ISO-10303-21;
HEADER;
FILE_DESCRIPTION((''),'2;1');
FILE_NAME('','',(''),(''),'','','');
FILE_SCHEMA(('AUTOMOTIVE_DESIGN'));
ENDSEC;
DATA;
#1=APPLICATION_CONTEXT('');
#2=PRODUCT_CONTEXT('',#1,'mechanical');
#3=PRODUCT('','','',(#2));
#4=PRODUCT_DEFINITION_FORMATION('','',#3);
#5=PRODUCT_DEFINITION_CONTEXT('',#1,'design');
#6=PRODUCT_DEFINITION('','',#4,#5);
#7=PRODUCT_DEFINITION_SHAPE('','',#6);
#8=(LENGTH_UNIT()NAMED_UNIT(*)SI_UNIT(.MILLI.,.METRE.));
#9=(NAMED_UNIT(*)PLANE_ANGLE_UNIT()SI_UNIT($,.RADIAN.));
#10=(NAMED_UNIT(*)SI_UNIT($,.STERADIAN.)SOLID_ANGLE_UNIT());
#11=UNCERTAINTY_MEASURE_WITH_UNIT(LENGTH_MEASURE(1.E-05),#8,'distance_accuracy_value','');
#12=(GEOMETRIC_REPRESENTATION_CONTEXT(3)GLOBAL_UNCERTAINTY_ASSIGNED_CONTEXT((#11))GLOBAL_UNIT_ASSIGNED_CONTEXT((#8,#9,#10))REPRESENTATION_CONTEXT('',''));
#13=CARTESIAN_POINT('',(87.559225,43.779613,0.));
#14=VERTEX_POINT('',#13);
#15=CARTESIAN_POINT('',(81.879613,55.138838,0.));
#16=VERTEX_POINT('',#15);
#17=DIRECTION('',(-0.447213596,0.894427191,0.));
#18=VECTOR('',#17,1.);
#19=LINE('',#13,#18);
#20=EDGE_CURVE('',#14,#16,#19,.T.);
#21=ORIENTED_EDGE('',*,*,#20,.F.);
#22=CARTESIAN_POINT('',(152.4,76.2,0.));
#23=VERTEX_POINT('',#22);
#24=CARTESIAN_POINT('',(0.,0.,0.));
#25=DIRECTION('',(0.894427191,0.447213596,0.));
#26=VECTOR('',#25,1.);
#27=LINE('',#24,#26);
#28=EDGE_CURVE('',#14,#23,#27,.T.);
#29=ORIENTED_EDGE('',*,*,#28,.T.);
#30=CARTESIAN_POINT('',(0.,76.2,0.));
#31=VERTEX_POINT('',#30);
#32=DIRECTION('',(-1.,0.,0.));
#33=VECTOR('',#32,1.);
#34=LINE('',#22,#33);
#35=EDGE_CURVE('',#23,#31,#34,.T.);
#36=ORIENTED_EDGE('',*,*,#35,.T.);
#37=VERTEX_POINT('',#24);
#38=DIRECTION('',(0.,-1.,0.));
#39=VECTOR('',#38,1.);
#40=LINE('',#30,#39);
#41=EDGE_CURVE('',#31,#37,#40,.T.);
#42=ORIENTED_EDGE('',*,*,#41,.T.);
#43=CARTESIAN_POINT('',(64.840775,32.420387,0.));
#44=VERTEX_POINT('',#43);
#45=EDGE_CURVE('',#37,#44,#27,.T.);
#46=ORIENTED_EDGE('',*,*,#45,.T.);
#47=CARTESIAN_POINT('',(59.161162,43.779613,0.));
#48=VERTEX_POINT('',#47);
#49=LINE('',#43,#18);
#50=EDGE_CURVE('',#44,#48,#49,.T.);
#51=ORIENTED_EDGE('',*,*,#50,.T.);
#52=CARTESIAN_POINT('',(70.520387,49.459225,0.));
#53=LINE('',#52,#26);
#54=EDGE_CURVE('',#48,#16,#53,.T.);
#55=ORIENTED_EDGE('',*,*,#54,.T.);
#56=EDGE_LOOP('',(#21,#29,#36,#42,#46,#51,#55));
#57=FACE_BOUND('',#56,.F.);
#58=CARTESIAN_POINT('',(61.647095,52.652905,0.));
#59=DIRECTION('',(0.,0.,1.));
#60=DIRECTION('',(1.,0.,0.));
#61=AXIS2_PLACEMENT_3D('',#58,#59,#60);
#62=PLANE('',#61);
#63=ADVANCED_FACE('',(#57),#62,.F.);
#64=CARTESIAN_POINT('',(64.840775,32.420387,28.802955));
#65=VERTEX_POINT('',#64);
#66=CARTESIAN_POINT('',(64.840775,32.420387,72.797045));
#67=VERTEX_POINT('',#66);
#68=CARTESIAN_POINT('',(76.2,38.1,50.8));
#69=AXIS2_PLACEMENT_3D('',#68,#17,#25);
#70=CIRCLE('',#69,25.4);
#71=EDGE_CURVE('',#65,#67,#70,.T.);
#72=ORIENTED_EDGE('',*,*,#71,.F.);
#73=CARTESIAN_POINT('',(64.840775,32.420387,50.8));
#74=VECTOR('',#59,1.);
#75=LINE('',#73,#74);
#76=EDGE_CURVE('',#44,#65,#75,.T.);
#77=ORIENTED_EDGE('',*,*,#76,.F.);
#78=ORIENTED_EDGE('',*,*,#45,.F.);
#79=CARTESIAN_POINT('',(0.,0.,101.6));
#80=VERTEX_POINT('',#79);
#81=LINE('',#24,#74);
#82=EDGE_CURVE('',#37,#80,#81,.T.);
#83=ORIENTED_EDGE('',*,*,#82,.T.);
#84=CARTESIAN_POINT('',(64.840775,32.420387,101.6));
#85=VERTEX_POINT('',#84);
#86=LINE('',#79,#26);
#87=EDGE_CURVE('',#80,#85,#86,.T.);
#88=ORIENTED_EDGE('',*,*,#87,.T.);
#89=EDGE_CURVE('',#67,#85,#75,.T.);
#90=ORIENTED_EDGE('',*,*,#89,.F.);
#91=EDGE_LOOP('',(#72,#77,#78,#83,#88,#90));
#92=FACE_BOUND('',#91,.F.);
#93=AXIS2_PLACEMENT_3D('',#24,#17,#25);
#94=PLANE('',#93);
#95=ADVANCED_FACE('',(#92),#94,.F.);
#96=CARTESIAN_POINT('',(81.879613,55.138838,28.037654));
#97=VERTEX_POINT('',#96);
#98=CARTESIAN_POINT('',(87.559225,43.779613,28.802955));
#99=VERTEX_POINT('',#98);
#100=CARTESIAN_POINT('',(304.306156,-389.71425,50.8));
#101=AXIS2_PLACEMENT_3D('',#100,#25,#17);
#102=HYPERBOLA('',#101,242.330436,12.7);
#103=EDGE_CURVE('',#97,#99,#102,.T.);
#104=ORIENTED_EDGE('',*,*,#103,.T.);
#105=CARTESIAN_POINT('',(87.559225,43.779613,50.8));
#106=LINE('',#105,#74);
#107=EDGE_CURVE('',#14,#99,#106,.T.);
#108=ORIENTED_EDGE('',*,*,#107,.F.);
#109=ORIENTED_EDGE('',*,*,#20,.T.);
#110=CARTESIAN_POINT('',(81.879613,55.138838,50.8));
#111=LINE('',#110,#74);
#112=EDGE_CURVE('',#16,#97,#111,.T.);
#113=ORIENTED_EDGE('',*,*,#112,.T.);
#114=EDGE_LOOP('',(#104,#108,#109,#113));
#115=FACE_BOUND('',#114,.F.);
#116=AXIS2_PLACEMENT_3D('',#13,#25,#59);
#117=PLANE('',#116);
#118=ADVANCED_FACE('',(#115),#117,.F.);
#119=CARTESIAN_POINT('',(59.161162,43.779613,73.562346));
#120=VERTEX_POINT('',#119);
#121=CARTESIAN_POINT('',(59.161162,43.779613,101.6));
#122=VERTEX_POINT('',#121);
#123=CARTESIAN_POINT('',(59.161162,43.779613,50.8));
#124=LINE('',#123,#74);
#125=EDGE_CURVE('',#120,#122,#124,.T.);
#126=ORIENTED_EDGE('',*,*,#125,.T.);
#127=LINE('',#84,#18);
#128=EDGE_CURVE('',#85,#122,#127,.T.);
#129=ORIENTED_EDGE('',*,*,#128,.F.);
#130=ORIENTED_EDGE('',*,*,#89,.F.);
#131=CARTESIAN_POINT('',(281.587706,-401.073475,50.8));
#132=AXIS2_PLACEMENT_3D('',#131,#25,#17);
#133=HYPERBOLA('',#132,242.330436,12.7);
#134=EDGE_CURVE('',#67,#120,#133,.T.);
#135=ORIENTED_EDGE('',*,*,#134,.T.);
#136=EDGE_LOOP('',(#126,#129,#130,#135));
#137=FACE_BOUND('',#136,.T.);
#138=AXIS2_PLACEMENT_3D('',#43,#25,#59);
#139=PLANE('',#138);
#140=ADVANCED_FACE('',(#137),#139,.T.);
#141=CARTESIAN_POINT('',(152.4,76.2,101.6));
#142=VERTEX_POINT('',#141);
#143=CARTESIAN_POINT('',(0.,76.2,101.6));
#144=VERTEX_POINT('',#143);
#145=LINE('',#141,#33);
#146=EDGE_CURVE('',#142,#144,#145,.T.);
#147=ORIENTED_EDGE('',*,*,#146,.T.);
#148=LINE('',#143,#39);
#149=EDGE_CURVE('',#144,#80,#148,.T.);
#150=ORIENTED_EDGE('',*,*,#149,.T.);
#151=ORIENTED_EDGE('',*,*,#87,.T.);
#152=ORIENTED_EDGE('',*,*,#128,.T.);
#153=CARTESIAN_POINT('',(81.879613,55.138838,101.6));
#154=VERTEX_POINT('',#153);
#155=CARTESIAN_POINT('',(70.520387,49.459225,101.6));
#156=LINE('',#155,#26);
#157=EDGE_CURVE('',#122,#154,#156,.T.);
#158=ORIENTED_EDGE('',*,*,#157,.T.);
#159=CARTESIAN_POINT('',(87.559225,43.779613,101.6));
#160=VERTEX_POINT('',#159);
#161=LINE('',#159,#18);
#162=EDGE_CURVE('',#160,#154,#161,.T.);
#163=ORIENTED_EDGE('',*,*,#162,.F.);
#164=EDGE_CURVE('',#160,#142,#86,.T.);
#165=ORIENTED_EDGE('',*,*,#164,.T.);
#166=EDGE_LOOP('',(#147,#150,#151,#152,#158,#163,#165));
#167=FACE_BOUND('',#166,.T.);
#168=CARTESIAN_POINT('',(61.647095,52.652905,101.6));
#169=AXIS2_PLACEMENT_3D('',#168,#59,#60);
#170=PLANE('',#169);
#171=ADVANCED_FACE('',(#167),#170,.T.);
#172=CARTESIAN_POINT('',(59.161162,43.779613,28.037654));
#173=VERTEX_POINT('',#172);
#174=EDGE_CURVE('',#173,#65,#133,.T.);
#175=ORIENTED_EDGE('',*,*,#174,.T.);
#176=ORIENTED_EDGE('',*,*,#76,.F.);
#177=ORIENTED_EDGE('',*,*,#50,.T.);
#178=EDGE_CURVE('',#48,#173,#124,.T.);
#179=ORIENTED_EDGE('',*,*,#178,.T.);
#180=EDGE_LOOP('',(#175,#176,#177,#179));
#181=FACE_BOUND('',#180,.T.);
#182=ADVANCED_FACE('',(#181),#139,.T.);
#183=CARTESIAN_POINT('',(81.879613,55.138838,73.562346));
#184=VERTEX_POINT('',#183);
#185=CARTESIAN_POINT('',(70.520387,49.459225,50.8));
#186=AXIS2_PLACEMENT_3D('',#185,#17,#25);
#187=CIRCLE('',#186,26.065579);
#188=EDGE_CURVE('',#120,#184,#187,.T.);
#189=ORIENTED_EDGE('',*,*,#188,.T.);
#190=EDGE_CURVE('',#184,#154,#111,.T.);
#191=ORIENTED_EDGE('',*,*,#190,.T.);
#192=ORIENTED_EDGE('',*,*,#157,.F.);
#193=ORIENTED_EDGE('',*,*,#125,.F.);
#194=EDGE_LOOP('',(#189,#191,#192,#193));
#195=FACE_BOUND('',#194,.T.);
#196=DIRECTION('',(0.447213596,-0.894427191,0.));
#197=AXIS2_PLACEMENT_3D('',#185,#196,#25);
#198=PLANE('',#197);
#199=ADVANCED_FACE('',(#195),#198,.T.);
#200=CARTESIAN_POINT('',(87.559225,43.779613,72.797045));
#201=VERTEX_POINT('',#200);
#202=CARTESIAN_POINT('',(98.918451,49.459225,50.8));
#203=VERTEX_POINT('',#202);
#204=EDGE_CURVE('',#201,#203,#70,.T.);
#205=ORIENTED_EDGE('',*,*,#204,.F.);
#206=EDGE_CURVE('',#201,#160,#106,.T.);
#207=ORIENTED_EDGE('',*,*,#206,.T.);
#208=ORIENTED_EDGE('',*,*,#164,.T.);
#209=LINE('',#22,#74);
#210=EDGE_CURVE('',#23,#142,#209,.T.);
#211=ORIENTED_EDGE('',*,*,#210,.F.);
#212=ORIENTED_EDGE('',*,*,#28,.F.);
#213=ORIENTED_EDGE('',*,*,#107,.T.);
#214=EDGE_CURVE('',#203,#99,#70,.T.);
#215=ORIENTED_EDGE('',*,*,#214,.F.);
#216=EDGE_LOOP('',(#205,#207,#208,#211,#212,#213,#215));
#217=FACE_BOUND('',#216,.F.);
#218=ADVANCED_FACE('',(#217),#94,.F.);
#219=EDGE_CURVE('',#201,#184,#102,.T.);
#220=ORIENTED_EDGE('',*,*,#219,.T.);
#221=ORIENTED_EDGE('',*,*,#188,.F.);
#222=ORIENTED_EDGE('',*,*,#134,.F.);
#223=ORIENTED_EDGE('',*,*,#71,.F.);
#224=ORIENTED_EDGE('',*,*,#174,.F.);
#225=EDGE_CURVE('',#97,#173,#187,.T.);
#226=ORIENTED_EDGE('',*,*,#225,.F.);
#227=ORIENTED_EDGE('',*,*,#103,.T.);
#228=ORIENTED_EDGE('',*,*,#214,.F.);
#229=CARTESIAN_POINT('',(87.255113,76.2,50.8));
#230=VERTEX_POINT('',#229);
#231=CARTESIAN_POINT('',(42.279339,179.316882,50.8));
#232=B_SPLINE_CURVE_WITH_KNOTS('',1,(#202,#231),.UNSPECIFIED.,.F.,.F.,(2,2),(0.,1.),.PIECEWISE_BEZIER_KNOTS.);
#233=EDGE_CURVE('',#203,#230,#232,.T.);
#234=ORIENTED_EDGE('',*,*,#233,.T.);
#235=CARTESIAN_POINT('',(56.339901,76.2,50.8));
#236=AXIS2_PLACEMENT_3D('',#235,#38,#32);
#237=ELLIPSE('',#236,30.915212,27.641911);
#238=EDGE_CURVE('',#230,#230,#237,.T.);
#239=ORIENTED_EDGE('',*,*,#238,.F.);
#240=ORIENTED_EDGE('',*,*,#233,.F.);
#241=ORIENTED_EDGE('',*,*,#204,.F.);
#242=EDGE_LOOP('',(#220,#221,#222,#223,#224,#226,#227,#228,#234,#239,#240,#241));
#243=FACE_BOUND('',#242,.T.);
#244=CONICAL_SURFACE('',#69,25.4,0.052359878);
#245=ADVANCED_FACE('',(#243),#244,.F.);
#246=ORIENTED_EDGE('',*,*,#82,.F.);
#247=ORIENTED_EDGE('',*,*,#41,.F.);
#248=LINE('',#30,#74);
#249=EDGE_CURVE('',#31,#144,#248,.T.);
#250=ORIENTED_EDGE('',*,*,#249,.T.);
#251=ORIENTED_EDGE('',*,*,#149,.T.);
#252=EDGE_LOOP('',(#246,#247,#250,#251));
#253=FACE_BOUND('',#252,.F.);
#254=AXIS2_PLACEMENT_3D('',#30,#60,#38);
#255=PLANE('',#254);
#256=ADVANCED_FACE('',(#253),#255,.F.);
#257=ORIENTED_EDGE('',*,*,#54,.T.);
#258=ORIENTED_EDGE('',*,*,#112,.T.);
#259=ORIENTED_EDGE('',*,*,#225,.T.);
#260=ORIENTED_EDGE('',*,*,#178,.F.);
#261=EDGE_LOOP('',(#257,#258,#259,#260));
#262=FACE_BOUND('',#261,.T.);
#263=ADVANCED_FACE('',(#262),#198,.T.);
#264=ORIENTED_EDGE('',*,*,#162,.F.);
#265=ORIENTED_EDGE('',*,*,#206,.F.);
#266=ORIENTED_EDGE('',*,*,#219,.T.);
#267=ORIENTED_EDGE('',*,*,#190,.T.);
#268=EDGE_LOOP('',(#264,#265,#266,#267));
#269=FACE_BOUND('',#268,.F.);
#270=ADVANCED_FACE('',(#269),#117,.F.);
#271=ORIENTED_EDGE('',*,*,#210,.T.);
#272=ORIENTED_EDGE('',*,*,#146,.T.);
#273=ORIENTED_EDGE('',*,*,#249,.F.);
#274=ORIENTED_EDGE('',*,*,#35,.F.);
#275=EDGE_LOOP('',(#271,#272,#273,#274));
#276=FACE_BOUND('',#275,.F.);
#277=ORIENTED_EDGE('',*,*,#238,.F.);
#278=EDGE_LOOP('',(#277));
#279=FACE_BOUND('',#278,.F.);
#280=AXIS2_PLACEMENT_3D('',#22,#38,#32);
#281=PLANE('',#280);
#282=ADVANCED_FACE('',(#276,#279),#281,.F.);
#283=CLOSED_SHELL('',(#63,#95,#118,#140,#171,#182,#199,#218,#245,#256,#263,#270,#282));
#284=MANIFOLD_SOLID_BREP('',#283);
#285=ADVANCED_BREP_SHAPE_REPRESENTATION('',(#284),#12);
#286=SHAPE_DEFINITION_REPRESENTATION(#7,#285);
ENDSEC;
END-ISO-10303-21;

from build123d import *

# Parameters (mm, degrees)
F1_DEPTH = 101.6
F2_W     = 25.4
F2_H     = 101.6
F3_DEPTH = 12.7
F5_DEPTH = 141.478
F5_TAPER = -3


with BuildPart() as f1:
    # F0 (on Top) → F1 (new body)
    with BuildSketch(Plane.XY):
        Polygon((0, 76.2), (0, 0), (152.4, 76.2), align=None)
    extrude(amount=F1_DEPTH)

    # F2 (on face) → F3 (cut)
    with BuildSketch(Plane(origin=(0, 0, 0), x_dir=(0.894427191, 0.4472135955, 0), z_dir=(0.4472135955, -0.894427191, 0))):
        with Locations((85.1941899427, 50.8)):
            Rectangle(F2_W, F2_H)
    extrude(amount=-F3_DEPTH, mode=Mode.SUBTRACT)

    # F4 (on face) → F5 (cut)
    with BuildSketch(Plane(origin=(0, 0, 0), x_dir=(0.894427191, 0.4472135955, 0), z_dir=(0.4472135955, -0.894427191, 0))):
        with BuildLine():
            ThreePointArc((72.4941899427, 28.8029547439), (97.8941899427, 28.8029547439), (110.5941899427, 50.8))
            ThreePointArc((110.5941899427, 50.8), (97.8941899427, 72.7970452561), (72.4941899427, 72.7970452561))
            Line((72.4941899427, 72.7970452561), (72.4941899427, 28.8029547439))
        make_face()
        with BuildLine():
            Line((72.4941899427, 28.8029547439), (72.4941899427, 72.7970452561))
            ThreePointArc((72.4941899427, 72.7970452561), (59.7941899427, 50.8), (72.4941899427, 28.8029547439))
        make_face()
    extrude(amount=-F5_DEPTH, taper=F5_TAPER, mode=Mode.SUBTRACT)


solid = f1.part
